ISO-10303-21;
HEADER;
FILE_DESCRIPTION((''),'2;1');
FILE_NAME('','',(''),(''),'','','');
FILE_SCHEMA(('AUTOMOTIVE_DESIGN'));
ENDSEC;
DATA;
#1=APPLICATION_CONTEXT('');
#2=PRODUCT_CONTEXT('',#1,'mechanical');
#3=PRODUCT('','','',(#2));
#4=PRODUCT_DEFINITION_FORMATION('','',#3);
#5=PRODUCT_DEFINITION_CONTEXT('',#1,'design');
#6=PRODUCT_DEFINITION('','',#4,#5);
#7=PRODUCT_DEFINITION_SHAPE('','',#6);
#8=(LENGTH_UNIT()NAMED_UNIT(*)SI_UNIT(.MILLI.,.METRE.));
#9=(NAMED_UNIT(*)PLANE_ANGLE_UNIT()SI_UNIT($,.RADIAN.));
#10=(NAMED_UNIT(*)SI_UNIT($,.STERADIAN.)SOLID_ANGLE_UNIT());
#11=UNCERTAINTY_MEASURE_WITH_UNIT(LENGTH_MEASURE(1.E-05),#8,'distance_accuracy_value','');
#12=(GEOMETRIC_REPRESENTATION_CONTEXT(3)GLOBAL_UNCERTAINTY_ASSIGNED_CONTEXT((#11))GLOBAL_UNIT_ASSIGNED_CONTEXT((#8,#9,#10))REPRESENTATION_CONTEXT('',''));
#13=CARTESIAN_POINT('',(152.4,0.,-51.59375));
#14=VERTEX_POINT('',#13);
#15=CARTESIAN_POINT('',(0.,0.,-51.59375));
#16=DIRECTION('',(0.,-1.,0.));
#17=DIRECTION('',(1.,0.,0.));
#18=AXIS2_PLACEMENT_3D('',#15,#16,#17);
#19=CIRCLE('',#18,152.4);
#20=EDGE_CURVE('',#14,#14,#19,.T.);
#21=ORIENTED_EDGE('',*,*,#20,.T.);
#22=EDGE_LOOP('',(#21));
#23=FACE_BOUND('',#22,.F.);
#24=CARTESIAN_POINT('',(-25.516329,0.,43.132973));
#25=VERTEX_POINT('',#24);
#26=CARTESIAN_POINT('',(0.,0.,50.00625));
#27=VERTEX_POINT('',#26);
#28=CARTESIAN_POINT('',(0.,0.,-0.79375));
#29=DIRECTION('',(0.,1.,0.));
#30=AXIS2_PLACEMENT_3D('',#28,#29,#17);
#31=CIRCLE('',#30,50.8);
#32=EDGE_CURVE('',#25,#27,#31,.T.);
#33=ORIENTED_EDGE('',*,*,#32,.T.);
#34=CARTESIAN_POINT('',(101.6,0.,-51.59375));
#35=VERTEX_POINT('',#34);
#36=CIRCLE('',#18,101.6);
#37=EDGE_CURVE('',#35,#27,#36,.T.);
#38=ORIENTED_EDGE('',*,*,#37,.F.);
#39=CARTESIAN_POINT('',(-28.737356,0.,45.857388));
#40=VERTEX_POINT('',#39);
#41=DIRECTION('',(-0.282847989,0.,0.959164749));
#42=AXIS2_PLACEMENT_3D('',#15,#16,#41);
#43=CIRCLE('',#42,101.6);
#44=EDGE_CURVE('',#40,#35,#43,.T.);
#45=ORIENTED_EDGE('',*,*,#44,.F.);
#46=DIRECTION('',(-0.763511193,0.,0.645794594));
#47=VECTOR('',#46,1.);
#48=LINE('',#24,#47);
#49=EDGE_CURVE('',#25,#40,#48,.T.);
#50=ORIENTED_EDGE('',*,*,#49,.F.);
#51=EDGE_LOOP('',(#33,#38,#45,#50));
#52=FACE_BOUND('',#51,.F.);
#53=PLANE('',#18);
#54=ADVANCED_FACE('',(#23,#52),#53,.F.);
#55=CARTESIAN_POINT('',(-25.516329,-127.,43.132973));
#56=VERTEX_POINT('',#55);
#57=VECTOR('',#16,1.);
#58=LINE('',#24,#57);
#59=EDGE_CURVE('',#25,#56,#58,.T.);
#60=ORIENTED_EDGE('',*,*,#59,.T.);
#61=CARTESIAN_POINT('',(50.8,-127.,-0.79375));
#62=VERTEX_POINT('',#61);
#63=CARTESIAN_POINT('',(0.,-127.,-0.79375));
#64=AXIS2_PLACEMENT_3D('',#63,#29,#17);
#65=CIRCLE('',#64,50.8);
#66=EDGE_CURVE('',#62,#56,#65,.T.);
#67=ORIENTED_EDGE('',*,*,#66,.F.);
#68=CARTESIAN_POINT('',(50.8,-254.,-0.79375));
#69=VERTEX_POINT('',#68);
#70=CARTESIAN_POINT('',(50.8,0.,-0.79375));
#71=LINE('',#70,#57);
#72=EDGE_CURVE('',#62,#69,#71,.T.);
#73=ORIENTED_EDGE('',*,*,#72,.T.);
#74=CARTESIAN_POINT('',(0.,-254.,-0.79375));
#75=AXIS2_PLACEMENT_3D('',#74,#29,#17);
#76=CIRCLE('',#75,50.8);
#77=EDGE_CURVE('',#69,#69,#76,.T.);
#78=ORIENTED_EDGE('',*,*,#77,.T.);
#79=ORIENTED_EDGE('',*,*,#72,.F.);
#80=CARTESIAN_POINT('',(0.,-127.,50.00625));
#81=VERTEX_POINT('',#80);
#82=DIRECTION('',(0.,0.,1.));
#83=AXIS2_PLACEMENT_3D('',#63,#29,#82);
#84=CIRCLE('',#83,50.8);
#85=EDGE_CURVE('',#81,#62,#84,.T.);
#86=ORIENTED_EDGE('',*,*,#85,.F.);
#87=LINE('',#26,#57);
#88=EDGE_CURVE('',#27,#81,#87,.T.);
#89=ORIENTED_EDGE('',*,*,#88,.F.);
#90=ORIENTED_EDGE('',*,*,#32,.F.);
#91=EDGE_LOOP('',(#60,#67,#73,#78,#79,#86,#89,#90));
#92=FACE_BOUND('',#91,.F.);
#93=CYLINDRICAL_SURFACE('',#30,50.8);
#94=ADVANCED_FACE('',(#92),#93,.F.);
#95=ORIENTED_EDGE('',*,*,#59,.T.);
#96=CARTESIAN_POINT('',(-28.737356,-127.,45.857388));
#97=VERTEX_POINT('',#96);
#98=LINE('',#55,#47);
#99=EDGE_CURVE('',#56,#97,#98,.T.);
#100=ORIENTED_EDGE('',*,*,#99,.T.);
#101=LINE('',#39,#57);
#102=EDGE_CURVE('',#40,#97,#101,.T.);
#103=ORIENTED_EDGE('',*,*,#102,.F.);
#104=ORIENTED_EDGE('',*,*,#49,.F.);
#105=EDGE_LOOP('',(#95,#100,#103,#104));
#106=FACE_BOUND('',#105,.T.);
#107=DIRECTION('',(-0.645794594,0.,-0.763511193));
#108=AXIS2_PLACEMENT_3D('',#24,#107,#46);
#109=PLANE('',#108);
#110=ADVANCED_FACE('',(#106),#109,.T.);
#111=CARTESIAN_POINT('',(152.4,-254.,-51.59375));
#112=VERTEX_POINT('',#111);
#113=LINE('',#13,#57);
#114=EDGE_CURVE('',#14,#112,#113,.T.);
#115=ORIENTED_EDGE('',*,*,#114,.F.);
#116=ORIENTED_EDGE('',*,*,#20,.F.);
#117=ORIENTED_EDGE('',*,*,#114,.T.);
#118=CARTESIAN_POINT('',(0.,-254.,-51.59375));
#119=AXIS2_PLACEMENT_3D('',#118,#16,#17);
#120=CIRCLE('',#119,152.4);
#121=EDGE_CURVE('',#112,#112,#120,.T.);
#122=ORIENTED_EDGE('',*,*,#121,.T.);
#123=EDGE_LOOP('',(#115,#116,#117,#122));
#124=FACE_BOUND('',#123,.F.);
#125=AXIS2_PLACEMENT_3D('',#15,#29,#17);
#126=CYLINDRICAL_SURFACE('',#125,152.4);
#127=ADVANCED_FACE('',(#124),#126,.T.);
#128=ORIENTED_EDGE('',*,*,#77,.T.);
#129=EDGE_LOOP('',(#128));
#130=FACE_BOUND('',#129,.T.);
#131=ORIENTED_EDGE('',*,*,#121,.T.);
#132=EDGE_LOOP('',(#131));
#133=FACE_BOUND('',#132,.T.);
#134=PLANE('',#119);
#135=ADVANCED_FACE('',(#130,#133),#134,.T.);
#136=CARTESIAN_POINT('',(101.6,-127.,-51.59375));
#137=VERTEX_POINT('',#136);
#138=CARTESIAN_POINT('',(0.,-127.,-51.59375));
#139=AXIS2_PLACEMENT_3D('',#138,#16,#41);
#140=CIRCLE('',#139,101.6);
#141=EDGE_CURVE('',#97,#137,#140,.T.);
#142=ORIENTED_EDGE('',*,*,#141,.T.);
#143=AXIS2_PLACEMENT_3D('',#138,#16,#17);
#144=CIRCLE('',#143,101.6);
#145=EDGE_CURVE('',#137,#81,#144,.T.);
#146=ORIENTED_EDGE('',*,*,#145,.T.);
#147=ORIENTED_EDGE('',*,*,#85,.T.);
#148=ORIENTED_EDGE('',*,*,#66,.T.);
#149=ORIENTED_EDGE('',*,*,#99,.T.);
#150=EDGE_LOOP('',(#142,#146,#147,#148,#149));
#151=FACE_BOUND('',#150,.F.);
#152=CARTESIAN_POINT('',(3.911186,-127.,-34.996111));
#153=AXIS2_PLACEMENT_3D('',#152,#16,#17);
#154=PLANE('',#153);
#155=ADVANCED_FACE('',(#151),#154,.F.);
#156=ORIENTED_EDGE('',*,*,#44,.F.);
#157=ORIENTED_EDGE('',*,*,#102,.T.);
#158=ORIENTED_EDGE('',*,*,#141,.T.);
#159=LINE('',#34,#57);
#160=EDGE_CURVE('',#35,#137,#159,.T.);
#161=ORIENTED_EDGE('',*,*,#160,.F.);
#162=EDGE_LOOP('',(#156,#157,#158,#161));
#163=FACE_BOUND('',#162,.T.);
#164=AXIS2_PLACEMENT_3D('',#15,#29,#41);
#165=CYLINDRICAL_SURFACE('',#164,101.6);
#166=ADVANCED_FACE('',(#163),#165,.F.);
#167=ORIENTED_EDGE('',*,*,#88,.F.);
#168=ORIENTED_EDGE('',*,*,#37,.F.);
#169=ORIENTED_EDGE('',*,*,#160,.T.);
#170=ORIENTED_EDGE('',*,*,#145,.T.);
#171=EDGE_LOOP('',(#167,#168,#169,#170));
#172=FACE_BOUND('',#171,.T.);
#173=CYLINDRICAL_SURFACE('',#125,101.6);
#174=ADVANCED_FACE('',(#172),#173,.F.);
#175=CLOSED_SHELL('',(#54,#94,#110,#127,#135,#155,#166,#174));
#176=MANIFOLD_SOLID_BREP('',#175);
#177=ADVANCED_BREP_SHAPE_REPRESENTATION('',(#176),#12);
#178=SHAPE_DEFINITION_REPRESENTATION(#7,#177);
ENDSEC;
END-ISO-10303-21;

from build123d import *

# Parameters (mm, degrees)
F0_R     = 152.4
F1_DEPTH = 254
F2_DEPTH = 127


with BuildPart() as f1:
    # F0 (on Front) → F1 (new body)
    with BuildSketch(Plane.XZ):
        with Locations((0, -51.59375)):
            Circle(F0_R)
        with BuildLine():
            ThreePointArc((-28.7373556529, 45.857388475), (-14.5176501359, 48.963685501), (0, 50.00625))
            ThreePointArc((0, 50.00625), (71.8420489686, 20.2482989686), (101.6, -51.59375))
            ThreePointArc((101.6, -51.59375), (-60.8393156835, -132.9641233995), (-28.7373556529, 45.857388475))
        make_face(mode=Mode.SUBTRACT)
        with BuildLine():
            Line((-28.7373556529, 45.857388475), (-25.5163285875, 43.1329727939))
            ThreePointArc((-25.5163285875, 43.1329727939), (-13.2129194743, 48.257842828), (0, 50.00625))
            ThreePointArc((0, 50.00625), (-14.5176501359, 48.963685501), (-28.7373556529, 45.857388475))
        make_face()
        with BuildLine():
            ThreePointArc((50.8, -0.79375), (-25.3417689572, -44.8214088762), (-25.5163285875, 43.1329727939))
            Line((-25.5163285875, 43.1329727939), (-28.7373556529, 45.857388475))
            ThreePointArc((-28.7373556529, 45.857388475), (-60.8393156835, -132.9641233995), (101.6, -51.59375))
            ThreePointArc((101.6, -51.59375), (71.8420489686, 20.2482989686), (0, 50.00625))
            ThreePointArc((0, 50.00625), (35.9210244843, 35.1272744843), (50.8, -0.79375))
        make_face()
    extrude(amount=F1_DEPTH)

    # F0 (on Front) → F2 (cut)
    with BuildSketch(Plane.XZ):
        with BuildLine():
            ThreePointArc((50.8, -0.79375), (-25.3417689572, -44.8214088762), (-25.5163285875, 43.1329727939))
            Line((-25.5163285875, 43.1329727939), (-28.7373556529, 45.857388475))
            ThreePointArc((-28.7373556529, 45.857388475), (-60.8393156835, -132.9641233995), (101.6, -51.59375))
            ThreePointArc((101.6, -51.59375), (71.8420489686, 20.2482989686), (0, 50.00625))
            ThreePointArc((0, 50.00625), (35.9210244843, 35.1272744843), (50.8, -0.79375))
        make_face()
    extrude(amount=F2_DEPTH, mode=Mode.SUBTRACT)


solid = f1.part
